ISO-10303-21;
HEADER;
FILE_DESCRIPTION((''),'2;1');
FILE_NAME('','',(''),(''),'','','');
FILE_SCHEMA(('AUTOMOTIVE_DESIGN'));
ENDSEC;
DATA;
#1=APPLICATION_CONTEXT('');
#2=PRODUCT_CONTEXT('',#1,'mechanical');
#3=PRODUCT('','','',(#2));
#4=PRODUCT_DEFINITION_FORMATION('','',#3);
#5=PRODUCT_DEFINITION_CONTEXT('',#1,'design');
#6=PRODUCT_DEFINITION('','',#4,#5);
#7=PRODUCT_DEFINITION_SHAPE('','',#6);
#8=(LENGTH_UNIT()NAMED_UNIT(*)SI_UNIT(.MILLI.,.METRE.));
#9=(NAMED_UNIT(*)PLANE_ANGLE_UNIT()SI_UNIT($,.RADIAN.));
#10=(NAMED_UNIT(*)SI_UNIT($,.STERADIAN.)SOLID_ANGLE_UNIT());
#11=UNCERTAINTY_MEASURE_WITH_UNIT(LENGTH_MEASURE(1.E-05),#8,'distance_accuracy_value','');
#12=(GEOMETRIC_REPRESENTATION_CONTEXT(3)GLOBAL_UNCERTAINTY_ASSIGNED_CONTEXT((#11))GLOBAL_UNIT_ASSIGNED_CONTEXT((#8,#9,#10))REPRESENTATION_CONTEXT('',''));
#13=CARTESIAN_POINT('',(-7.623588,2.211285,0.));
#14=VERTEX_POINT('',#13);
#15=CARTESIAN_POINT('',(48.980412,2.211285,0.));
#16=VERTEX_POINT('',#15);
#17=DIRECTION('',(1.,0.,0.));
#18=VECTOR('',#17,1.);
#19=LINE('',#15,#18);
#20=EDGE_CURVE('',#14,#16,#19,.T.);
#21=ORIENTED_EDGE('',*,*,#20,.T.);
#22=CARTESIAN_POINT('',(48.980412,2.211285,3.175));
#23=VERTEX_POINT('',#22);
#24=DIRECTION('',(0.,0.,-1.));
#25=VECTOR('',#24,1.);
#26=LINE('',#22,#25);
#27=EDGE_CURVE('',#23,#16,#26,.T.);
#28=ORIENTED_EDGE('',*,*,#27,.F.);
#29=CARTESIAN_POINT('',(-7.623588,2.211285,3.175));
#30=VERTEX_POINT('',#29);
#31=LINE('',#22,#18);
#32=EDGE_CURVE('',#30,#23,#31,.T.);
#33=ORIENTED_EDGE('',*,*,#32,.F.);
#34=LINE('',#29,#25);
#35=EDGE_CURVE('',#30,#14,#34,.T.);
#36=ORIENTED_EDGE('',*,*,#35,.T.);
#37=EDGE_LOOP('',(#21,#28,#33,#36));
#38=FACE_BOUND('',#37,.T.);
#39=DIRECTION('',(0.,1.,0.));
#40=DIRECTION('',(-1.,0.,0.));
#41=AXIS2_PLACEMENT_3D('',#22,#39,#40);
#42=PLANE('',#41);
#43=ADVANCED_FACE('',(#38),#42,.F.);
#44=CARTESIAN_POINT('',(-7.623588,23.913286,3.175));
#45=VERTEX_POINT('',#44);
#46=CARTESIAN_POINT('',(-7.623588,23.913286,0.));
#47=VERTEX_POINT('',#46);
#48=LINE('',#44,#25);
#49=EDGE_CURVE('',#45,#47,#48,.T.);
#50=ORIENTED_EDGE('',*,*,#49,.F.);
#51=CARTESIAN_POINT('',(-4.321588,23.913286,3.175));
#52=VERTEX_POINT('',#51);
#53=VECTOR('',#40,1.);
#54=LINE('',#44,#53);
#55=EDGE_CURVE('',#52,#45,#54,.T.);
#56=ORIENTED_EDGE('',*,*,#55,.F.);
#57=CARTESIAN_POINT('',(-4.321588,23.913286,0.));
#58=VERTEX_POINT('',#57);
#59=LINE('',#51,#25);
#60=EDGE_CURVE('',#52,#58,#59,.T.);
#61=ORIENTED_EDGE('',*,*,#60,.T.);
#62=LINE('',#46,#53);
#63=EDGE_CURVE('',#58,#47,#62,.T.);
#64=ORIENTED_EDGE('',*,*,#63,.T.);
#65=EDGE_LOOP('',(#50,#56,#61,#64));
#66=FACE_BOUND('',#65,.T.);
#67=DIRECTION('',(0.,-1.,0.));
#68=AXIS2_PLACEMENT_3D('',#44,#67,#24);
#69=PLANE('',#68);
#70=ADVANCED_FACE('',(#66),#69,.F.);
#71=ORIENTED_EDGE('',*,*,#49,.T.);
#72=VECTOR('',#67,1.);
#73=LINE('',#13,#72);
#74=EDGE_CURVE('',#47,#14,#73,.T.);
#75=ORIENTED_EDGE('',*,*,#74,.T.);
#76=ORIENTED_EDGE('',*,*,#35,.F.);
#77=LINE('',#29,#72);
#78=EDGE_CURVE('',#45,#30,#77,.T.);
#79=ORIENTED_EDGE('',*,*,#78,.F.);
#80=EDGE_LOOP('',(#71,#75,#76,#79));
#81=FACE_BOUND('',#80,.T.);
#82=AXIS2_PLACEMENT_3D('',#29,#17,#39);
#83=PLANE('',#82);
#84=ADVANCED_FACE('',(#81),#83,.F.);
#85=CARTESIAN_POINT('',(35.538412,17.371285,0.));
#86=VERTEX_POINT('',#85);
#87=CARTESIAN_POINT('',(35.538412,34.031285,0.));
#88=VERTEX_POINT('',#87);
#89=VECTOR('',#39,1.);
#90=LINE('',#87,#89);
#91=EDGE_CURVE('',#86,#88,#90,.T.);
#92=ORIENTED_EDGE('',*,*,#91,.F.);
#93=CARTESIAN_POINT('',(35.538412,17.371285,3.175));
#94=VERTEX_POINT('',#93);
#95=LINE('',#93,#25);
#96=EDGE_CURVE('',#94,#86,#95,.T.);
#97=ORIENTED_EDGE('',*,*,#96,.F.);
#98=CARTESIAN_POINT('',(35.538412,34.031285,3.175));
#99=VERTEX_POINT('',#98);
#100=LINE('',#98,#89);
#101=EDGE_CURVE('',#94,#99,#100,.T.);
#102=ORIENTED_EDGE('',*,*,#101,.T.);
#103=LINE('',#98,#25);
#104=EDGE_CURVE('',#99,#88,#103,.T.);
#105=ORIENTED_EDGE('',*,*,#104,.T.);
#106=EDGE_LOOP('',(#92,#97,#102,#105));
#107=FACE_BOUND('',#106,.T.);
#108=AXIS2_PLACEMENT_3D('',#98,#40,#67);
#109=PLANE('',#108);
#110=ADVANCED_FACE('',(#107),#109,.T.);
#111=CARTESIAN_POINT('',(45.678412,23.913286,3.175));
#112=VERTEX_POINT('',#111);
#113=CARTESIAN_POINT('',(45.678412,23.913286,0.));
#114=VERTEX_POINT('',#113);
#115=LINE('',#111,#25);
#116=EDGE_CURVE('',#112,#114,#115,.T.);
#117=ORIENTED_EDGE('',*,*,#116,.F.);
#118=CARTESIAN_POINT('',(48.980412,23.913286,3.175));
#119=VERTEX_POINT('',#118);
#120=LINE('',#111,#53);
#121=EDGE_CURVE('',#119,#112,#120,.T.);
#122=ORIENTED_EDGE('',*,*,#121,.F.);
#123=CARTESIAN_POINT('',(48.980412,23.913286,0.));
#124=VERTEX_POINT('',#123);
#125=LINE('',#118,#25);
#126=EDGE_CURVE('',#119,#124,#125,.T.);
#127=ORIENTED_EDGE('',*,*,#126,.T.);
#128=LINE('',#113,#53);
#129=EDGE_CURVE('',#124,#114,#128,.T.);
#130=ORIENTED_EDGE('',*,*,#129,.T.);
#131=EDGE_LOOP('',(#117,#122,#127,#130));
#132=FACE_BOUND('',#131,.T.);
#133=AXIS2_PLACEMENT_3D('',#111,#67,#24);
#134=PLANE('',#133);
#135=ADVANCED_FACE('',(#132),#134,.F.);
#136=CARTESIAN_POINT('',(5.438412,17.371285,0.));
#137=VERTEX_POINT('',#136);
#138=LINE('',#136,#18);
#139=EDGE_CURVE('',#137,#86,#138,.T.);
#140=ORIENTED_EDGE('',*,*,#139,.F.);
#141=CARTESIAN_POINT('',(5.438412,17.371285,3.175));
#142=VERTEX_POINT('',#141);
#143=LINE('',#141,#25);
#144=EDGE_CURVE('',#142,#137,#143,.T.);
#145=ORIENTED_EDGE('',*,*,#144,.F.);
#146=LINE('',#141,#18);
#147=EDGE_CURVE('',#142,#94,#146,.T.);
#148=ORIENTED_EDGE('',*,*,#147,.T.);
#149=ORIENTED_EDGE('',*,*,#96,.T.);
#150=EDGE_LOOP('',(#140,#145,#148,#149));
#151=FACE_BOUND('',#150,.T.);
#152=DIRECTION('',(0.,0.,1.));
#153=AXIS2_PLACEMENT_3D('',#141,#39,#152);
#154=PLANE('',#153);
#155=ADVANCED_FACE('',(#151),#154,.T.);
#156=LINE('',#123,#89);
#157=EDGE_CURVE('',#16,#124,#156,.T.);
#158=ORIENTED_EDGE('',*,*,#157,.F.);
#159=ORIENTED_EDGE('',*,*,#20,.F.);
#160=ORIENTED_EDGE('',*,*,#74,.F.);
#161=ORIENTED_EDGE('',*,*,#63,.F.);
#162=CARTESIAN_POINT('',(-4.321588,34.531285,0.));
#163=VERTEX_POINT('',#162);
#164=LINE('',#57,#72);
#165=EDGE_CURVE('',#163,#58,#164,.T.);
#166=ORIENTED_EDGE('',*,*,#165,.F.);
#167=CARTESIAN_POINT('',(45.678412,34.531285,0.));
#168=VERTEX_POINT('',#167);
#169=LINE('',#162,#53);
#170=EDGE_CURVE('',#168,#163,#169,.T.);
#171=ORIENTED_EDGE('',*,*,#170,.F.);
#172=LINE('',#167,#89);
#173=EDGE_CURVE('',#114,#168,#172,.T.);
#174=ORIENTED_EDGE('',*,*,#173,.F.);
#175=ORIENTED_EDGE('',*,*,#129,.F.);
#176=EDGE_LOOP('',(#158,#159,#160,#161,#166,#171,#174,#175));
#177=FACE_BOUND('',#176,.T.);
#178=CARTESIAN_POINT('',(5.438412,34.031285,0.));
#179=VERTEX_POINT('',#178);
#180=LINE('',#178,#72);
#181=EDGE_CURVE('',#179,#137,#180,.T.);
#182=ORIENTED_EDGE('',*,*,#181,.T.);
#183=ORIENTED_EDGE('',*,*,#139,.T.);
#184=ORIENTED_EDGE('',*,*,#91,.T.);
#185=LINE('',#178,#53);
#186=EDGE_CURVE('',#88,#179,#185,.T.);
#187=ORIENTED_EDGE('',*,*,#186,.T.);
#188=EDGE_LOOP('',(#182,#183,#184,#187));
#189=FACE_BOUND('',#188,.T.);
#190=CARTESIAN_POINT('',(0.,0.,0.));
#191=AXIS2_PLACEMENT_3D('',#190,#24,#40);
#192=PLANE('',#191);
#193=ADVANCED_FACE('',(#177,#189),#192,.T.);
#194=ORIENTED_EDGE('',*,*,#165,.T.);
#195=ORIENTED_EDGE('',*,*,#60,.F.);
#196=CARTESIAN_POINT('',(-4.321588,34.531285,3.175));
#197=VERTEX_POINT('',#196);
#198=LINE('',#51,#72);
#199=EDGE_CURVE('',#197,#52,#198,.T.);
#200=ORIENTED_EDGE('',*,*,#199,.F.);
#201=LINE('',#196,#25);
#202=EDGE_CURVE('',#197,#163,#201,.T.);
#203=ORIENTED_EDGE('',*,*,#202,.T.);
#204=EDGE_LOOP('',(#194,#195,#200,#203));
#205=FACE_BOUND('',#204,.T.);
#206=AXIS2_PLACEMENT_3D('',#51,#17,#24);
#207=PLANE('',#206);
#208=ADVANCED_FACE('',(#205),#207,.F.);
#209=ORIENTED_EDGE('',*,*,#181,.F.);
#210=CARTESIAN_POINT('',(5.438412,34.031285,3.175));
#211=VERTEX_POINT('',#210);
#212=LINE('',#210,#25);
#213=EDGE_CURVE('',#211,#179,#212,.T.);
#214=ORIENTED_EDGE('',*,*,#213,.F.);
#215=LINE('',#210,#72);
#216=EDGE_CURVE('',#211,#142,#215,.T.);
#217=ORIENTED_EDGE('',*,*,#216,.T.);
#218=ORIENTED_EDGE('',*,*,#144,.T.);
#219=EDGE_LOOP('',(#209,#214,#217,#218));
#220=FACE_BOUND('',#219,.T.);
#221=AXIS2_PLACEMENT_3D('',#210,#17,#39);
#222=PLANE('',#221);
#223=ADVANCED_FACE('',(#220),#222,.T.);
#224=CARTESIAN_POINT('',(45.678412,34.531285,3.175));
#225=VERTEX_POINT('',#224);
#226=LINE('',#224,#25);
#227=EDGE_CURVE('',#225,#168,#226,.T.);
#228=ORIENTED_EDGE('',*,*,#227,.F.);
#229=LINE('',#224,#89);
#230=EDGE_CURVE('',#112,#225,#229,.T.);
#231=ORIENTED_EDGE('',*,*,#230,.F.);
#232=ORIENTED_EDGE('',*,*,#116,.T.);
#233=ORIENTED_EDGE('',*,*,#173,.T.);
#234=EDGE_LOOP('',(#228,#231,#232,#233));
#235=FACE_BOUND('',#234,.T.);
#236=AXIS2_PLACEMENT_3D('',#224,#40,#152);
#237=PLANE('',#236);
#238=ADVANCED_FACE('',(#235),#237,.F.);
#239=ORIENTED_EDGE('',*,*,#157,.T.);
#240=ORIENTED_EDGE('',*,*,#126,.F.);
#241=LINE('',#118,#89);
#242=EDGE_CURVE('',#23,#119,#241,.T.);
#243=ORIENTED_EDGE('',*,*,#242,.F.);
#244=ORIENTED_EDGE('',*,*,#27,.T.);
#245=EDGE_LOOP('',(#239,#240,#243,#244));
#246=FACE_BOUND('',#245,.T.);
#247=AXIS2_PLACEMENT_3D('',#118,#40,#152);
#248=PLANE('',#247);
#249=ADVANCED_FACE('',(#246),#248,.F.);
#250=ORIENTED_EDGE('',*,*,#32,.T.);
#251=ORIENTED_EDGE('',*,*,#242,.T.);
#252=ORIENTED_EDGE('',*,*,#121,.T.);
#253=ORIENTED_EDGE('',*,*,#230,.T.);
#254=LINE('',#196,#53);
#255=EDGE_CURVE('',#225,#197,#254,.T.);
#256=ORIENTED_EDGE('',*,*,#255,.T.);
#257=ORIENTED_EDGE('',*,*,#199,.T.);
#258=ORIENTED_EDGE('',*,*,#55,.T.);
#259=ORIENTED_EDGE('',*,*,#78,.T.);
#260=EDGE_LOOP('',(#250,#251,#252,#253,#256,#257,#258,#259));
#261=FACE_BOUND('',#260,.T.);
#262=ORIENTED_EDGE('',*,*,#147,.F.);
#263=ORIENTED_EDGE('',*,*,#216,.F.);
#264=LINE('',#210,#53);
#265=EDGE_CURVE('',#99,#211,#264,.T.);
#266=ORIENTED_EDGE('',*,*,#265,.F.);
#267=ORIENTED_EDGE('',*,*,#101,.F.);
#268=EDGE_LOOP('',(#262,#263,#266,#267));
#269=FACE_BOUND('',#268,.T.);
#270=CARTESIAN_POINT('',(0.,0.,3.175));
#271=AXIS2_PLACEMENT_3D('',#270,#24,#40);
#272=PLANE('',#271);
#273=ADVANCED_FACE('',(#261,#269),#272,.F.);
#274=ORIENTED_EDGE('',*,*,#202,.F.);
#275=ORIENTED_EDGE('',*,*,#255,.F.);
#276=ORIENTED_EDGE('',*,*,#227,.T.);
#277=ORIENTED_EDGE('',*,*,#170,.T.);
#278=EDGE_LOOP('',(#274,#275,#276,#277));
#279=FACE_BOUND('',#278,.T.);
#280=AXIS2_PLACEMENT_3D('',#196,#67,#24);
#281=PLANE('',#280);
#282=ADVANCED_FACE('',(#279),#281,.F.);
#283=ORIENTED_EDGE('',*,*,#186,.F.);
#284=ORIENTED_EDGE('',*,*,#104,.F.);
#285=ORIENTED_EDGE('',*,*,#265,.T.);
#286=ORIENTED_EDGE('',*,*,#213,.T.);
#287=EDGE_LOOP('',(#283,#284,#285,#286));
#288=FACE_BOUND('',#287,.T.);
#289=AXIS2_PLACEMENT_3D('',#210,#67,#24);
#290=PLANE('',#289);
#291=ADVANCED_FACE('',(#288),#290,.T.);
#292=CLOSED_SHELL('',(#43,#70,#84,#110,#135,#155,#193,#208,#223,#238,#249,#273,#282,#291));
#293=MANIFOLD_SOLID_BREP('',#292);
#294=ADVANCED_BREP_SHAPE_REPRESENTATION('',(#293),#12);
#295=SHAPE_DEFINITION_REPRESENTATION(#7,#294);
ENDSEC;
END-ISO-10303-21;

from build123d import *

# Parameters (mm, degrees)
SKETCH1_W           = 30.1
SKETCH1_H           = 16.66
BOSS_EXTRUDE1_DEPTH = 3.175


with BuildPart() as part:
    # Sketch1 → Boss-Extrude1 (new body)
    with BuildSketch(Plane.XY):
        Polygon((-7.623587917, 2.211285499), (-7.623587917, 23.913285529), (-4.321587917, 23.913285529), (-4.321587917, 34.531285499), (45.678412083, 34.531285499), (45.678412083, 23.913285529), (48.980412083, 23.913285529), (48.980412083, 2.211285499), align=None)
        with Locations((20.488412083, 25.701285499)):
            Rectangle(SKETCH1_W, SKETCH1_H, mode=Mode.SUBTRACT)
    extrude(amount=BOSS_EXTRUDE1_DEPTH)


solid = part.part
